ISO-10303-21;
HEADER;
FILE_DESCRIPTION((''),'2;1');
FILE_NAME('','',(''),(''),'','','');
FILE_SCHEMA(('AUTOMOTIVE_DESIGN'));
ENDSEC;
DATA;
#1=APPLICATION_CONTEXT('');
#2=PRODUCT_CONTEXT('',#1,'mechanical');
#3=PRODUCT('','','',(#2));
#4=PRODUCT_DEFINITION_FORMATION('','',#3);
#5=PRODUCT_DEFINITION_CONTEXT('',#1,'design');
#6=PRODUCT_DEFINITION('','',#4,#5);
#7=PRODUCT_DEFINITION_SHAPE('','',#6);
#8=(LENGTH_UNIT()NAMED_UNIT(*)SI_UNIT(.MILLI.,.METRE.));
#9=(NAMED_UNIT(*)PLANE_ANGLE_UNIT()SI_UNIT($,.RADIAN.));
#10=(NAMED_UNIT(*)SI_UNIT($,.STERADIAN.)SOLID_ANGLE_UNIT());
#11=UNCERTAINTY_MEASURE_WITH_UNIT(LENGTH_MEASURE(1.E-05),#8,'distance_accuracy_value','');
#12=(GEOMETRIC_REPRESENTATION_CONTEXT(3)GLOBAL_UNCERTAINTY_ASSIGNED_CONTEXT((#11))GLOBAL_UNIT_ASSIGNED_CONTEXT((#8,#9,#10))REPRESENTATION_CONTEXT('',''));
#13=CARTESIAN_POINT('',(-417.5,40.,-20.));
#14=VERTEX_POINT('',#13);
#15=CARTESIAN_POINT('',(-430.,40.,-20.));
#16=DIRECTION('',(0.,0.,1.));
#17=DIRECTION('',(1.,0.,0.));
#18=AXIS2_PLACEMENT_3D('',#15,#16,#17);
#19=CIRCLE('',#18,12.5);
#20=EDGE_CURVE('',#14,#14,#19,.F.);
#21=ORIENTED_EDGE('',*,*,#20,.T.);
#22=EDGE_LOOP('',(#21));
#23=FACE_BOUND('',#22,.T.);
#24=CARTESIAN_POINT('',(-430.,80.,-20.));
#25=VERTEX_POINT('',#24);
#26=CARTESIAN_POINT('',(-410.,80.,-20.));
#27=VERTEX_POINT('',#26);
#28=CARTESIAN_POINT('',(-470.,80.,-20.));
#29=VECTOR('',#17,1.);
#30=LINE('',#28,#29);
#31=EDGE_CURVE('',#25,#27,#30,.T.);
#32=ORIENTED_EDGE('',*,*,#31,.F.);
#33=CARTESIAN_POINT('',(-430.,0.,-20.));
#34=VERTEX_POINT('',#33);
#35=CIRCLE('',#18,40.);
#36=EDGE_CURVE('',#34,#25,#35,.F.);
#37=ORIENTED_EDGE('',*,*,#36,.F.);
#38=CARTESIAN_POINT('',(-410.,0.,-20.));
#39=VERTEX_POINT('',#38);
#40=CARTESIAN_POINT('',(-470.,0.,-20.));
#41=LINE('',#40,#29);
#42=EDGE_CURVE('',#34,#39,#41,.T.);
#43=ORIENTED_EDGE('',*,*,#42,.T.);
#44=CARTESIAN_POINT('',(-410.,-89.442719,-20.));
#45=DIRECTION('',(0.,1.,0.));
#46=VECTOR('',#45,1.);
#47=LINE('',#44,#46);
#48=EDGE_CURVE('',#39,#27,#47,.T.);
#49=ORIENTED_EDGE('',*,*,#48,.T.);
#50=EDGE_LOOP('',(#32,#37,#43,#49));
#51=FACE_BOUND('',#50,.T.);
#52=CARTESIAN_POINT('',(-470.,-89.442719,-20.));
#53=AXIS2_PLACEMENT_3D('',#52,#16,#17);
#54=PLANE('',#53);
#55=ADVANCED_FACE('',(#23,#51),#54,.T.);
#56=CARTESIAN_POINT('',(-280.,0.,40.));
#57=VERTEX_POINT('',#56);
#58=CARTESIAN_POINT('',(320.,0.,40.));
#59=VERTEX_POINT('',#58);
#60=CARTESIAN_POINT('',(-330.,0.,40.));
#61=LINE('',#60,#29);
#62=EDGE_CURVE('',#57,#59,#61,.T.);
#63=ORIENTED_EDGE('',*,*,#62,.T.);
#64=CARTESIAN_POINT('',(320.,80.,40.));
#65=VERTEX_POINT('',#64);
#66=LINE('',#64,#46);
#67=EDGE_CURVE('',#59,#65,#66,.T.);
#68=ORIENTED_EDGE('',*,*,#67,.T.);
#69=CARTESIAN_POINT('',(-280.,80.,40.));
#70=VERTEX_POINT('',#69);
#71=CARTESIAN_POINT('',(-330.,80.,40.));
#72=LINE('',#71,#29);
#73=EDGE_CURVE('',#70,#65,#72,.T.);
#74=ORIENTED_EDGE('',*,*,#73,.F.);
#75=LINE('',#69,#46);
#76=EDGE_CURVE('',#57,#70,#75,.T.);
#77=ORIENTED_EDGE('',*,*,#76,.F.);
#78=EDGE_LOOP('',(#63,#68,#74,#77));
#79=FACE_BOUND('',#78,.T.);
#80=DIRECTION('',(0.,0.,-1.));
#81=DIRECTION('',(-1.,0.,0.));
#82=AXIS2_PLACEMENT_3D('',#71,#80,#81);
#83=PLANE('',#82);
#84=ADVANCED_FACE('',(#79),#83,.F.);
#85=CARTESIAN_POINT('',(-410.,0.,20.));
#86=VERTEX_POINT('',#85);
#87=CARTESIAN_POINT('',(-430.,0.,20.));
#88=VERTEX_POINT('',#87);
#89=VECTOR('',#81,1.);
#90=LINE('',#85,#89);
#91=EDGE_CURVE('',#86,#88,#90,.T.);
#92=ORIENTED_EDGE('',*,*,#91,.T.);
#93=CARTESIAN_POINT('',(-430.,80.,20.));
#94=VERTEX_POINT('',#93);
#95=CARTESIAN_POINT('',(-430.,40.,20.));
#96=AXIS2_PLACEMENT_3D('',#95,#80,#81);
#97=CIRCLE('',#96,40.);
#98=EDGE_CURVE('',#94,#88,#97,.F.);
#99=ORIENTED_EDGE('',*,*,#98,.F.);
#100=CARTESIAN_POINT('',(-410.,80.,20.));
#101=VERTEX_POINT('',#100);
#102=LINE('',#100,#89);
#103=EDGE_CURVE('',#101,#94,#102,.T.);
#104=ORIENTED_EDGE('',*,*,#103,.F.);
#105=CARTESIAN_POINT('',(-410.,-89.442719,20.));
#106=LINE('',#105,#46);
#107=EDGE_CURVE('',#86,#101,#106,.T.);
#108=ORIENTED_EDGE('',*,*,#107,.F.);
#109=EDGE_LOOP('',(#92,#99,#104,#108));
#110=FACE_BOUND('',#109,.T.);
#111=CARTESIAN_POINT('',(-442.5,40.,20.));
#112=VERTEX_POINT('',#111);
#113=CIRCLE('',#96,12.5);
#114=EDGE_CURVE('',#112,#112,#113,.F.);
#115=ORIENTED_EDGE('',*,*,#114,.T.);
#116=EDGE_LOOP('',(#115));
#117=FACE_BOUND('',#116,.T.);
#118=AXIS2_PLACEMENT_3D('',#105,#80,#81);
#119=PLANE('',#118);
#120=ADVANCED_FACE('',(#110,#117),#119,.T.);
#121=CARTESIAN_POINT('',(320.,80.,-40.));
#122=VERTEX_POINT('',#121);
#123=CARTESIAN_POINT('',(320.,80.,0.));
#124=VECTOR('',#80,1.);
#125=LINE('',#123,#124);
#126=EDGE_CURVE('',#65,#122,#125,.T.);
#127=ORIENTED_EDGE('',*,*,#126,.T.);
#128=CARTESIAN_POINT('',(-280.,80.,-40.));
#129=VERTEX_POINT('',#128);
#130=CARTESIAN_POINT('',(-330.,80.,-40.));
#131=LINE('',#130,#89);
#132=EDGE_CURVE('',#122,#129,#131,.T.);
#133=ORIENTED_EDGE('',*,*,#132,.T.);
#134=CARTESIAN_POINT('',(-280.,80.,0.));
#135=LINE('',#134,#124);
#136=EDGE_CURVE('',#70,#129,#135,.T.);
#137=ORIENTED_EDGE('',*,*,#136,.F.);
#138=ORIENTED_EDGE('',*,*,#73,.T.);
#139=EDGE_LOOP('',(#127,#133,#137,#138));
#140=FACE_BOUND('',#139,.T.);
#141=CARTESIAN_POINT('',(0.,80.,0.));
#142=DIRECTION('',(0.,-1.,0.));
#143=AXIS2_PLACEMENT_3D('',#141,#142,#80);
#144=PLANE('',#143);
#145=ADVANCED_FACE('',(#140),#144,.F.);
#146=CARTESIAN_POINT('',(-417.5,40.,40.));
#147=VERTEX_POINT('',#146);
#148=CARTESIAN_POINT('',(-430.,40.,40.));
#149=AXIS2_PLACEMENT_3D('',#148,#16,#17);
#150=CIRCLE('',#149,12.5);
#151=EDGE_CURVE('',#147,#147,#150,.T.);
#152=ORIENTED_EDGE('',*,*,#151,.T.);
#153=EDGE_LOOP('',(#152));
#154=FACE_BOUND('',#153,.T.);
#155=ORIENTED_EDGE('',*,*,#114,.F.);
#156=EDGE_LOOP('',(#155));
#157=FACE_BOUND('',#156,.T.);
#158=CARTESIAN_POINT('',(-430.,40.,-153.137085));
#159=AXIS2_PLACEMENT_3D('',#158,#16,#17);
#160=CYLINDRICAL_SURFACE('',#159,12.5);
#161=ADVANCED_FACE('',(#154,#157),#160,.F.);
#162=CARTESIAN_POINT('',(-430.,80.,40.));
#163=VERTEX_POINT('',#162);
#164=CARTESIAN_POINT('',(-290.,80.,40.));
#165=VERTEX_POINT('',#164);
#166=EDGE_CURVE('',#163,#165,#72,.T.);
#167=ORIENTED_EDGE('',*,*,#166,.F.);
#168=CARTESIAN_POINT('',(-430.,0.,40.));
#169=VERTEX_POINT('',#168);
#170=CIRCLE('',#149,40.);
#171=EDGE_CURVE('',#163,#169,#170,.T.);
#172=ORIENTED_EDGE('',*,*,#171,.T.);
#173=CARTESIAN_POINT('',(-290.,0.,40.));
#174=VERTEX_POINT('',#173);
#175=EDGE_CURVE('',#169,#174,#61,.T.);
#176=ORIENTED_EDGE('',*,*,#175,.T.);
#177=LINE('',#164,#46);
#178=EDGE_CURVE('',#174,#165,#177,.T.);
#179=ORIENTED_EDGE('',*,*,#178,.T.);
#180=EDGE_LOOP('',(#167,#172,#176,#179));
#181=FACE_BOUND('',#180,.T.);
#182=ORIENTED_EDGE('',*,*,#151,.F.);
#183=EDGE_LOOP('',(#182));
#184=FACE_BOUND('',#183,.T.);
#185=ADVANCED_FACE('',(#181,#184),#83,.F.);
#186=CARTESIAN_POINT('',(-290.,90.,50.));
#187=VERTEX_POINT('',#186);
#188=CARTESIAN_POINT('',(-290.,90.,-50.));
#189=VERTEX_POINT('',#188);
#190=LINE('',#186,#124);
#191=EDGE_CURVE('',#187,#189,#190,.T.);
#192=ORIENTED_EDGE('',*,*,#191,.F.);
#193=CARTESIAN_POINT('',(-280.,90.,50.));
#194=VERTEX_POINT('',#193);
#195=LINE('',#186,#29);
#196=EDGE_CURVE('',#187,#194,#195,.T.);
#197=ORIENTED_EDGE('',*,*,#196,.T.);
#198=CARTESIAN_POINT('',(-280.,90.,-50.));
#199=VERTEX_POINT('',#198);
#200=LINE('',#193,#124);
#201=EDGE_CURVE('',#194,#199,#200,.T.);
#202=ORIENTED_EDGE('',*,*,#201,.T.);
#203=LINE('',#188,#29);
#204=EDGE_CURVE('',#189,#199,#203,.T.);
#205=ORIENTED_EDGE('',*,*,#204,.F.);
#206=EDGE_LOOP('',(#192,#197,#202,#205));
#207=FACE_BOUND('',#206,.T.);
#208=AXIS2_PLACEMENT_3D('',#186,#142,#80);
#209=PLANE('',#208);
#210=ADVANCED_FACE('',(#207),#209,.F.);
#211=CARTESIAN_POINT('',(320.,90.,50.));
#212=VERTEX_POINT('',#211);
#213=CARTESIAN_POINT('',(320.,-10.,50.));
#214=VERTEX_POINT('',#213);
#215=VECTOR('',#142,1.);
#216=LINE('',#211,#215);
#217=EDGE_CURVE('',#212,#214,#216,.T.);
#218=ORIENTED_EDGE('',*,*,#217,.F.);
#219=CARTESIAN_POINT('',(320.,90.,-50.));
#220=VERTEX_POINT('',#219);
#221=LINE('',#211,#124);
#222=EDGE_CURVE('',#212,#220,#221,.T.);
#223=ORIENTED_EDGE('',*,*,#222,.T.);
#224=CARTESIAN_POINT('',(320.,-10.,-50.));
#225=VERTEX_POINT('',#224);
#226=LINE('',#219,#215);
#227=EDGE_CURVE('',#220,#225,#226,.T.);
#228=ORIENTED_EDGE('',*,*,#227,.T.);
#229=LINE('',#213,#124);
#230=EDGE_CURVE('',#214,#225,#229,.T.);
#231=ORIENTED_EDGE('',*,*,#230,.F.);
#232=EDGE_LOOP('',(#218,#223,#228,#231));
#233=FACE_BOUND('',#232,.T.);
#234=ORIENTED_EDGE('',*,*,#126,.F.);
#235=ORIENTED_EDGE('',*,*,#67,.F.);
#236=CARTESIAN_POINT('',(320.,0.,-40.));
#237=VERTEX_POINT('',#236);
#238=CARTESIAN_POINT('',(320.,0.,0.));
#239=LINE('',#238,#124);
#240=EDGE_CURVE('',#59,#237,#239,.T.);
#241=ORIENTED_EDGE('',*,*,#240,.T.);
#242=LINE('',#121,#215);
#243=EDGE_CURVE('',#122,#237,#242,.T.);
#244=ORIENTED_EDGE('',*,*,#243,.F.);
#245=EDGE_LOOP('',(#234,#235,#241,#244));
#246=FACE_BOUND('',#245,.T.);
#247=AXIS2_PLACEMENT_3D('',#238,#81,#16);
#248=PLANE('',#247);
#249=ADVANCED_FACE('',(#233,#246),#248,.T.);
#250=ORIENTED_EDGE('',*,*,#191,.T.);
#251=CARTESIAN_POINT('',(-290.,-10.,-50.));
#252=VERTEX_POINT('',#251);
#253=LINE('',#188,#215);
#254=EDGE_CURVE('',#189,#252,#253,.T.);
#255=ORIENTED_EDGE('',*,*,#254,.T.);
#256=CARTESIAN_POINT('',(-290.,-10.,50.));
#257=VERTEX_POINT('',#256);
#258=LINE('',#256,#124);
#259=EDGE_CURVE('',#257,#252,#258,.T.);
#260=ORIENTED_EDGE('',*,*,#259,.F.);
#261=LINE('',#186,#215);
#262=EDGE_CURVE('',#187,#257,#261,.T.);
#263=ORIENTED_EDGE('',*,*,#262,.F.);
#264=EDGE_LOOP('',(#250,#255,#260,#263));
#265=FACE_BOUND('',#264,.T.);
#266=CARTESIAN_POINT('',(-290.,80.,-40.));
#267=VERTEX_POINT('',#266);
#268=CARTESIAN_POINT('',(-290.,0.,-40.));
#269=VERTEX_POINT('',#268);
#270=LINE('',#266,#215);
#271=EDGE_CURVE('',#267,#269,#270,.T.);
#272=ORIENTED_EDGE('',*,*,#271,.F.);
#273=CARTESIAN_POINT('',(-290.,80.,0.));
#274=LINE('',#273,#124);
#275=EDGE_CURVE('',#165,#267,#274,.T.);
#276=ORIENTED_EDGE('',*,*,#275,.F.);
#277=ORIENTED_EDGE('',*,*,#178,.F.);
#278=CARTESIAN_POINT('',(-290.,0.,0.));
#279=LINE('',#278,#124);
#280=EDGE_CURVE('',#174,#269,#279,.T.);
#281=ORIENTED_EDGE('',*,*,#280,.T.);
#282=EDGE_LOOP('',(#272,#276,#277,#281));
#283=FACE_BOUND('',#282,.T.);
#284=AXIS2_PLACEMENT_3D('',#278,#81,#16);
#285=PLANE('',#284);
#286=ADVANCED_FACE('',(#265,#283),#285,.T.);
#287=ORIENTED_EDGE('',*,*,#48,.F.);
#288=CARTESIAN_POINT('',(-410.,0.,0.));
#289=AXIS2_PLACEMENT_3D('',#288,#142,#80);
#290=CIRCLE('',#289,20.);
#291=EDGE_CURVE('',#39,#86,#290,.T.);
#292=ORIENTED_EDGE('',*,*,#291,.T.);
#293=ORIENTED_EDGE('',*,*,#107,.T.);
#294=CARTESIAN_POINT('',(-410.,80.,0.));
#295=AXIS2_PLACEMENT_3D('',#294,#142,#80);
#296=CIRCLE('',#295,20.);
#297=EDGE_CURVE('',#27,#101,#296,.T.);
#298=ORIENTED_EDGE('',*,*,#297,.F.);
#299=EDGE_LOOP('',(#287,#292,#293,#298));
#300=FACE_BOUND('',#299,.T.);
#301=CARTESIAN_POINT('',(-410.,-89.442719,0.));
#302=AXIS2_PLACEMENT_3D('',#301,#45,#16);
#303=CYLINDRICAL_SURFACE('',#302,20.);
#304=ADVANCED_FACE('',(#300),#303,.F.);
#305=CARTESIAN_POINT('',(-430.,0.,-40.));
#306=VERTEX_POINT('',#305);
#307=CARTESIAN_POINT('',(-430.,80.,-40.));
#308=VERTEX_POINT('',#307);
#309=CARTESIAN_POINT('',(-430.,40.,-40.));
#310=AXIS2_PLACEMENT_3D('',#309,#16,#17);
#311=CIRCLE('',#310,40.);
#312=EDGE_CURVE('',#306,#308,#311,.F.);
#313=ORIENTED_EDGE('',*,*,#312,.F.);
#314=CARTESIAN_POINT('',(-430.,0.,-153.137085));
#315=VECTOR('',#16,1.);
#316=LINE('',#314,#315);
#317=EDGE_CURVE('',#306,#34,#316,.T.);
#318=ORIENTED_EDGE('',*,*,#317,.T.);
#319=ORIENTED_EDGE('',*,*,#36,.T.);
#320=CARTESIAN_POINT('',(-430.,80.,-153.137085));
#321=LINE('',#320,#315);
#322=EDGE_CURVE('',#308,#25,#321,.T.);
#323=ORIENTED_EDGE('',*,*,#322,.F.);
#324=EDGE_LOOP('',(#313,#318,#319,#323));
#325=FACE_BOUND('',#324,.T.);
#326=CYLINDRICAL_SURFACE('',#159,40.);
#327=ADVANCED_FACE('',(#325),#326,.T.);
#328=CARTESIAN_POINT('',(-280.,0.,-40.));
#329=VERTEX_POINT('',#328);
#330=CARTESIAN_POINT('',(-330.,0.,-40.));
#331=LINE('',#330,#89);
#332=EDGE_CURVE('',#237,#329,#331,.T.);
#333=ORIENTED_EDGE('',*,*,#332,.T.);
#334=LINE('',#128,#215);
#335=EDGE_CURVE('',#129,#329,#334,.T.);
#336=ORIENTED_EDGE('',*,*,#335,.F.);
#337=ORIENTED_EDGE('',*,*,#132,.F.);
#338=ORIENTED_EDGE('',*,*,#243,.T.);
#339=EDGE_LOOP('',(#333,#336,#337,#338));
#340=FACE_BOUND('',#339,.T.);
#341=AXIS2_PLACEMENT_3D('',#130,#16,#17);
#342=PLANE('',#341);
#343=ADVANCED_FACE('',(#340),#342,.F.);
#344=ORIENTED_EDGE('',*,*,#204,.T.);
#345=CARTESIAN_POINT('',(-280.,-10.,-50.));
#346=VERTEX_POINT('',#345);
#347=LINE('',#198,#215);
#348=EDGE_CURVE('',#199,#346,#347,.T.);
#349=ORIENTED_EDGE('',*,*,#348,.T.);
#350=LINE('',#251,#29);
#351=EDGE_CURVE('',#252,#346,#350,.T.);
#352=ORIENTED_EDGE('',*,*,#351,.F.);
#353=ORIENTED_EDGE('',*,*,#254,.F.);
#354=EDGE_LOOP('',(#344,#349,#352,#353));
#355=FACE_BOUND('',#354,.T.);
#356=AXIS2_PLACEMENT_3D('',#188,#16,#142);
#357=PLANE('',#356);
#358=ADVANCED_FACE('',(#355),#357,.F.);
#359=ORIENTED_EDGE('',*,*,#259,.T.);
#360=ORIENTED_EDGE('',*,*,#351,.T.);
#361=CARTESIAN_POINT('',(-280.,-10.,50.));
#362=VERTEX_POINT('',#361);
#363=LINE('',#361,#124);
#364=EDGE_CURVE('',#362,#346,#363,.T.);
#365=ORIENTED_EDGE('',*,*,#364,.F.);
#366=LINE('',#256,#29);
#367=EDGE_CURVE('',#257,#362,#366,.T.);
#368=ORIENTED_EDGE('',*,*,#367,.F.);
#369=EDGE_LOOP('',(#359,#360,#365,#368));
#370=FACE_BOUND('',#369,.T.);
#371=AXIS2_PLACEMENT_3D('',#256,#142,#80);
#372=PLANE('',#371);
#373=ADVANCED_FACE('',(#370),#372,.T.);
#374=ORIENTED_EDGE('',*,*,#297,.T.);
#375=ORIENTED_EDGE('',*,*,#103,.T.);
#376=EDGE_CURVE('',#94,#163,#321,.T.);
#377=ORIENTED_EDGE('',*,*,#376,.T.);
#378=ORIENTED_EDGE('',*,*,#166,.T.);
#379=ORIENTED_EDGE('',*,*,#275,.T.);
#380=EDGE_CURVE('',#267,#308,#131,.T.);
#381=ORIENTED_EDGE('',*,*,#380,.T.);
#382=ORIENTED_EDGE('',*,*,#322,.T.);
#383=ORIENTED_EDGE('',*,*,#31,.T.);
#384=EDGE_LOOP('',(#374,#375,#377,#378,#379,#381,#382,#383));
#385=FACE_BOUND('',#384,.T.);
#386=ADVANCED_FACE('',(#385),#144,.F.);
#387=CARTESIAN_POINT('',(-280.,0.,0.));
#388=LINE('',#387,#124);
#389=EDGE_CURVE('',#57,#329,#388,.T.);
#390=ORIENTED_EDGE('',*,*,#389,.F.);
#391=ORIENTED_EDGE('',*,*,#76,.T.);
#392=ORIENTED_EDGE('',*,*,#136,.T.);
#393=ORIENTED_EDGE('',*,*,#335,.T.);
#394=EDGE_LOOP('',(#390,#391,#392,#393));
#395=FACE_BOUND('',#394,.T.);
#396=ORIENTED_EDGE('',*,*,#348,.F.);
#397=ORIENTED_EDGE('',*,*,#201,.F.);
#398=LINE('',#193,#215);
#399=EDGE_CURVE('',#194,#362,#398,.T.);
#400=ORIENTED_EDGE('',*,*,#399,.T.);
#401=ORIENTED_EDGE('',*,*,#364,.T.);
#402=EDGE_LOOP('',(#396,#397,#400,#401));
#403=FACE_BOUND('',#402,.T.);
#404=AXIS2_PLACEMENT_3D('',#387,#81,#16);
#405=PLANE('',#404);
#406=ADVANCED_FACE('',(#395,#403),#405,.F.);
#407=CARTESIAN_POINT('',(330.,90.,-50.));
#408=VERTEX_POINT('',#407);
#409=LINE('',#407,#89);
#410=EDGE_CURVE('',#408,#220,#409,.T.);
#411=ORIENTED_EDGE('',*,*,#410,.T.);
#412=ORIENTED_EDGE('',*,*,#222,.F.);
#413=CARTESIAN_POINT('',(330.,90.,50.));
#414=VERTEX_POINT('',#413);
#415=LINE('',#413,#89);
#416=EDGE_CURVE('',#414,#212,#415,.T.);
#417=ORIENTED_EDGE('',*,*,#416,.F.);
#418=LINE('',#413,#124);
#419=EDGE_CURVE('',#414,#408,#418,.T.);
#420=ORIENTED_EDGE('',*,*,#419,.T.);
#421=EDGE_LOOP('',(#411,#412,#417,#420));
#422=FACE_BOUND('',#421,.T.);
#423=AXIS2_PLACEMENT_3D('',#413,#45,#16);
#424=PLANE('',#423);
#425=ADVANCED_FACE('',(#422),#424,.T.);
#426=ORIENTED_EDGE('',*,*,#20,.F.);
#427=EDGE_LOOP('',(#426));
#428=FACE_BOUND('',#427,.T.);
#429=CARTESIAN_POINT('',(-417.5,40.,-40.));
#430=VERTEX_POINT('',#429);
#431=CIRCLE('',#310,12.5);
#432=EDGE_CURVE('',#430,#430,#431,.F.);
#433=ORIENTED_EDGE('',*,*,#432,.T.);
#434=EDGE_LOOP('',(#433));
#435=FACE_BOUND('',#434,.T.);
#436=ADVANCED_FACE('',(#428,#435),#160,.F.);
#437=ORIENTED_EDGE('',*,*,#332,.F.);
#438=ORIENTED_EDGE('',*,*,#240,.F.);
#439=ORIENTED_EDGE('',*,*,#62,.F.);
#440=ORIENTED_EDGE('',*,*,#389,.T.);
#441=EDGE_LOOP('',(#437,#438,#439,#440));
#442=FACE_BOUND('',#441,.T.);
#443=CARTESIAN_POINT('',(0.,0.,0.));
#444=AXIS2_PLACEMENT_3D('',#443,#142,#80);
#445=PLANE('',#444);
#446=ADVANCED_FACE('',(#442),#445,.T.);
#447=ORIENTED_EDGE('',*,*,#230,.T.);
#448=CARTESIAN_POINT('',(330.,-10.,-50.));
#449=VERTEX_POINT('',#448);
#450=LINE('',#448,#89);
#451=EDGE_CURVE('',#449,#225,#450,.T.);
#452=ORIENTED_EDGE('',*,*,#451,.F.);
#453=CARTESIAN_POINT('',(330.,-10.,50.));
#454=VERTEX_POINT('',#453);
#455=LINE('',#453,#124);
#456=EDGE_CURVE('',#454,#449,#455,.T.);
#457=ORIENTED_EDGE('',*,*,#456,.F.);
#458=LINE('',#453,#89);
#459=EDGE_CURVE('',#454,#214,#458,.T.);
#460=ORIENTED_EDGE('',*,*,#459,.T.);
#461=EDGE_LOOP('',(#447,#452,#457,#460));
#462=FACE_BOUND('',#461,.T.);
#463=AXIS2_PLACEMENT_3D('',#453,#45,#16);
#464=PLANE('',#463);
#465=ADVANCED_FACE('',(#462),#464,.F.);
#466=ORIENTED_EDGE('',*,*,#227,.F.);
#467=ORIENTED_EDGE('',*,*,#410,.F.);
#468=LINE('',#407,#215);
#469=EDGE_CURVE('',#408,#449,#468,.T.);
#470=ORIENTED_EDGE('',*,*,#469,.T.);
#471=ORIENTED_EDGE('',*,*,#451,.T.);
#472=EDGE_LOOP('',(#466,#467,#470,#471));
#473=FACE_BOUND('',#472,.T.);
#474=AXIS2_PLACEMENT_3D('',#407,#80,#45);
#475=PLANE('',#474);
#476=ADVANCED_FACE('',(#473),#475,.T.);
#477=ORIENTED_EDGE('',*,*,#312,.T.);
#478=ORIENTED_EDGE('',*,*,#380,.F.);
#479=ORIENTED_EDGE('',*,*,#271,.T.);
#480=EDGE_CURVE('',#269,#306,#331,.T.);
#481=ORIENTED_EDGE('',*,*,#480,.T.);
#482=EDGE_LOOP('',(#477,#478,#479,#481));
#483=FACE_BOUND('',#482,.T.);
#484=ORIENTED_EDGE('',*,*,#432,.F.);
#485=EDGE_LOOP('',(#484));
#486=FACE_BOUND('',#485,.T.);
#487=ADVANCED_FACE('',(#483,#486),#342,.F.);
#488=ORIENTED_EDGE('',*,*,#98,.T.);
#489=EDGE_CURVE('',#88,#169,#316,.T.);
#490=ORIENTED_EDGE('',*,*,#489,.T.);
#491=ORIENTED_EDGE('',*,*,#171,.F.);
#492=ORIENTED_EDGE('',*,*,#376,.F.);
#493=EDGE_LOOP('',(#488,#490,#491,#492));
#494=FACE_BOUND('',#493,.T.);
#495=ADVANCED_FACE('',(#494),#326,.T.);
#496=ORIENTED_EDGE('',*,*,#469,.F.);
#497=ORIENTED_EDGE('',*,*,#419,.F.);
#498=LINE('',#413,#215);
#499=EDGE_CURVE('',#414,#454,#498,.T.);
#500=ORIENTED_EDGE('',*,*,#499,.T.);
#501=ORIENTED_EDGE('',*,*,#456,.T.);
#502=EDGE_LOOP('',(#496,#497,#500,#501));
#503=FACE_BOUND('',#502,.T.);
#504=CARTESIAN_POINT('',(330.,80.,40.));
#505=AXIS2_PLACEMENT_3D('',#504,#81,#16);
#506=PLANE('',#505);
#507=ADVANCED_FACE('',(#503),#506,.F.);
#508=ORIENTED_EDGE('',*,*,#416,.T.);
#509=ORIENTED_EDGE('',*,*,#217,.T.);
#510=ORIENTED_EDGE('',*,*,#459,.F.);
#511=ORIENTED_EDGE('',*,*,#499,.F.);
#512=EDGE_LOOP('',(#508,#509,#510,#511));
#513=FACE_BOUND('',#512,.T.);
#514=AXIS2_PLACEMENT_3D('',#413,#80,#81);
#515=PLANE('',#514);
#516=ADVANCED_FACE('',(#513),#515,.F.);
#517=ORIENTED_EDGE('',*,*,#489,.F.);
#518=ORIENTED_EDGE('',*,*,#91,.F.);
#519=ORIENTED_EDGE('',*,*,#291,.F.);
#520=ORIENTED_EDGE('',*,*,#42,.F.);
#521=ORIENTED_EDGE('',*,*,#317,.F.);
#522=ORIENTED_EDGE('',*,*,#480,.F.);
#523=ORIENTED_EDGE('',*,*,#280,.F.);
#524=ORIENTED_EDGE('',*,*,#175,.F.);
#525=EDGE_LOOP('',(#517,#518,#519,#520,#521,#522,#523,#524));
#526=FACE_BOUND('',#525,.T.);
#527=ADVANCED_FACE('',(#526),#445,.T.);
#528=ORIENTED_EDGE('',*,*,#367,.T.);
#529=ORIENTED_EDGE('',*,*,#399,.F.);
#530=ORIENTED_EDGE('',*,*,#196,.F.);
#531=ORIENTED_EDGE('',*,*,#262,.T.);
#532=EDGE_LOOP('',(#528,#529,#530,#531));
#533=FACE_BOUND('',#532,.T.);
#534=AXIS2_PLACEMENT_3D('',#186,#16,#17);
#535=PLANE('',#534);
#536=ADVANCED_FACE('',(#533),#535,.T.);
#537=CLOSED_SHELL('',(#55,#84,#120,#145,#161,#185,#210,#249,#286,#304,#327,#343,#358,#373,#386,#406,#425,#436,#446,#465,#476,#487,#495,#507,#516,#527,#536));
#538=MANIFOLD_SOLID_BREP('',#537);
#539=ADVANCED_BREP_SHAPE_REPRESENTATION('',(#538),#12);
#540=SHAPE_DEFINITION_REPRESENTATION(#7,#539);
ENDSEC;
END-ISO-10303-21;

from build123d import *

# Parameters (mm, degrees)
SKETCH1_W           = 660
SKETCH1_H           = 80
BOSS_EXTRUDE1_DEPTH = 80
BOSS_EXTRUDE2_START = 320
SKETCH2_W           = 100
SKETCH2_H           = 100
BOSS_EXTRUDE2_DEPTH = 10
BOSS_EXTRUDE3_START = -280
SKETCH2_2_W         = 100
SKETCH2_2_H         = 100
BOSS_EXTRUDE3_DEPTH = 10
BOSS_EXTRUDE4_START = -290
SKETCH2_4_W         = 80
SKETCH2_4_H         = 80
BOSS_EXTRUDE4_DEPTH = 100
SKETCH4_R           = 12.5
BOSS_EXTRUDE5_DEPTH = 80
CUT_EXTRUDE1_DEPTH  = 80


with BuildPart() as part:
    # Sketch1 → Boss-Extrude1 (new body)
    with BuildSketch(Plane(origin=(0, 0, 0), x_dir=(1, 0, 0), z_dir=(0, 1, 0))):
        Rectangle(SKETCH1_W, SKETCH1_H)
    extrude(amount=BOSS_EXTRUDE1_DEPTH)

    # Sketch2 → Boss-Extrude2 (add)
    with BuildSketch(Plane(origin=(0, 0, 0), x_dir=(0, 0, -1), z_dir=(1, 0, 0)).offset(BOSS_EXTRUDE2_START)):
        with Locations((0, 40)):
            Rectangle(SKETCH2_W, SKETCH2_H)
    extrude(amount=BOSS_EXTRUDE2_DEPTH)

    # Sketch2<2> → Boss-Extrude3 (add)
    with BuildSketch(Plane(origin=(0, 0, 0), x_dir=(0, 0, -1), z_dir=(1, 0, 0)).offset(BOSS_EXTRUDE3_START)):
        with Locations((0, 40)):
            Rectangle(SKETCH2_2_W, SKETCH2_2_H)
    extrude(amount=-BOSS_EXTRUDE3_DEPTH)

    # Sketch2<4> → Boss-Extrude4 (add)
    with BuildSketch(Plane(origin=(0, 0, 0), x_dir=(0, 0, -1), z_dir=(1, 0, 0)).offset(BOSS_EXTRUDE4_START)):
        with Locations((0, 40)):
            Rectangle(SKETCH2_4_W, SKETCH2_4_H)
    extrude(amount=-BOSS_EXTRUDE4_DEPTH)

    # Sketch4 → Boss-Extrude5 (add)
    with BuildSketch(Plane.XY.offset(40)):
        with BuildLine():
            Line((-430, 0), (-390, 0))
            Line((-390, 0), (-390, 80))
            Line((-390, 80), (-430, 80))
            ThreePointArc((-430, 80), (-470, 40), (-430, 0))
        make_face()
        with Locations((-430, 40)):
            Circle(SKETCH4_R, mode=Mode.SUBTRACT)
    extrude(amount=-BOSS_EXTRUDE5_DEPTH)

    # Sketch5 → Cut-Extrude1 (cut)
    with BuildSketch(Plane(origin=(0, 80, 0), x_dir=(1, 0, 0), z_dir=(0, 1, 0))):
        with BuildLine():
            Line((-470, 20), (-430, 20))
            Line((-430, 20), (-410, 20))
            ThreePointArc((-410, 20), (-390, 0), (-410, -20))
            Line((-410, -20), (-430, -20))
            Line((-430, -20), (-470, -20))
            Line((-470, -20), (-470, 20))
        make_face()
    extrude(amount=-CUT_EXTRUDE1_DEPTH, mode=Mode.SUBTRACT)


solid = part.part
